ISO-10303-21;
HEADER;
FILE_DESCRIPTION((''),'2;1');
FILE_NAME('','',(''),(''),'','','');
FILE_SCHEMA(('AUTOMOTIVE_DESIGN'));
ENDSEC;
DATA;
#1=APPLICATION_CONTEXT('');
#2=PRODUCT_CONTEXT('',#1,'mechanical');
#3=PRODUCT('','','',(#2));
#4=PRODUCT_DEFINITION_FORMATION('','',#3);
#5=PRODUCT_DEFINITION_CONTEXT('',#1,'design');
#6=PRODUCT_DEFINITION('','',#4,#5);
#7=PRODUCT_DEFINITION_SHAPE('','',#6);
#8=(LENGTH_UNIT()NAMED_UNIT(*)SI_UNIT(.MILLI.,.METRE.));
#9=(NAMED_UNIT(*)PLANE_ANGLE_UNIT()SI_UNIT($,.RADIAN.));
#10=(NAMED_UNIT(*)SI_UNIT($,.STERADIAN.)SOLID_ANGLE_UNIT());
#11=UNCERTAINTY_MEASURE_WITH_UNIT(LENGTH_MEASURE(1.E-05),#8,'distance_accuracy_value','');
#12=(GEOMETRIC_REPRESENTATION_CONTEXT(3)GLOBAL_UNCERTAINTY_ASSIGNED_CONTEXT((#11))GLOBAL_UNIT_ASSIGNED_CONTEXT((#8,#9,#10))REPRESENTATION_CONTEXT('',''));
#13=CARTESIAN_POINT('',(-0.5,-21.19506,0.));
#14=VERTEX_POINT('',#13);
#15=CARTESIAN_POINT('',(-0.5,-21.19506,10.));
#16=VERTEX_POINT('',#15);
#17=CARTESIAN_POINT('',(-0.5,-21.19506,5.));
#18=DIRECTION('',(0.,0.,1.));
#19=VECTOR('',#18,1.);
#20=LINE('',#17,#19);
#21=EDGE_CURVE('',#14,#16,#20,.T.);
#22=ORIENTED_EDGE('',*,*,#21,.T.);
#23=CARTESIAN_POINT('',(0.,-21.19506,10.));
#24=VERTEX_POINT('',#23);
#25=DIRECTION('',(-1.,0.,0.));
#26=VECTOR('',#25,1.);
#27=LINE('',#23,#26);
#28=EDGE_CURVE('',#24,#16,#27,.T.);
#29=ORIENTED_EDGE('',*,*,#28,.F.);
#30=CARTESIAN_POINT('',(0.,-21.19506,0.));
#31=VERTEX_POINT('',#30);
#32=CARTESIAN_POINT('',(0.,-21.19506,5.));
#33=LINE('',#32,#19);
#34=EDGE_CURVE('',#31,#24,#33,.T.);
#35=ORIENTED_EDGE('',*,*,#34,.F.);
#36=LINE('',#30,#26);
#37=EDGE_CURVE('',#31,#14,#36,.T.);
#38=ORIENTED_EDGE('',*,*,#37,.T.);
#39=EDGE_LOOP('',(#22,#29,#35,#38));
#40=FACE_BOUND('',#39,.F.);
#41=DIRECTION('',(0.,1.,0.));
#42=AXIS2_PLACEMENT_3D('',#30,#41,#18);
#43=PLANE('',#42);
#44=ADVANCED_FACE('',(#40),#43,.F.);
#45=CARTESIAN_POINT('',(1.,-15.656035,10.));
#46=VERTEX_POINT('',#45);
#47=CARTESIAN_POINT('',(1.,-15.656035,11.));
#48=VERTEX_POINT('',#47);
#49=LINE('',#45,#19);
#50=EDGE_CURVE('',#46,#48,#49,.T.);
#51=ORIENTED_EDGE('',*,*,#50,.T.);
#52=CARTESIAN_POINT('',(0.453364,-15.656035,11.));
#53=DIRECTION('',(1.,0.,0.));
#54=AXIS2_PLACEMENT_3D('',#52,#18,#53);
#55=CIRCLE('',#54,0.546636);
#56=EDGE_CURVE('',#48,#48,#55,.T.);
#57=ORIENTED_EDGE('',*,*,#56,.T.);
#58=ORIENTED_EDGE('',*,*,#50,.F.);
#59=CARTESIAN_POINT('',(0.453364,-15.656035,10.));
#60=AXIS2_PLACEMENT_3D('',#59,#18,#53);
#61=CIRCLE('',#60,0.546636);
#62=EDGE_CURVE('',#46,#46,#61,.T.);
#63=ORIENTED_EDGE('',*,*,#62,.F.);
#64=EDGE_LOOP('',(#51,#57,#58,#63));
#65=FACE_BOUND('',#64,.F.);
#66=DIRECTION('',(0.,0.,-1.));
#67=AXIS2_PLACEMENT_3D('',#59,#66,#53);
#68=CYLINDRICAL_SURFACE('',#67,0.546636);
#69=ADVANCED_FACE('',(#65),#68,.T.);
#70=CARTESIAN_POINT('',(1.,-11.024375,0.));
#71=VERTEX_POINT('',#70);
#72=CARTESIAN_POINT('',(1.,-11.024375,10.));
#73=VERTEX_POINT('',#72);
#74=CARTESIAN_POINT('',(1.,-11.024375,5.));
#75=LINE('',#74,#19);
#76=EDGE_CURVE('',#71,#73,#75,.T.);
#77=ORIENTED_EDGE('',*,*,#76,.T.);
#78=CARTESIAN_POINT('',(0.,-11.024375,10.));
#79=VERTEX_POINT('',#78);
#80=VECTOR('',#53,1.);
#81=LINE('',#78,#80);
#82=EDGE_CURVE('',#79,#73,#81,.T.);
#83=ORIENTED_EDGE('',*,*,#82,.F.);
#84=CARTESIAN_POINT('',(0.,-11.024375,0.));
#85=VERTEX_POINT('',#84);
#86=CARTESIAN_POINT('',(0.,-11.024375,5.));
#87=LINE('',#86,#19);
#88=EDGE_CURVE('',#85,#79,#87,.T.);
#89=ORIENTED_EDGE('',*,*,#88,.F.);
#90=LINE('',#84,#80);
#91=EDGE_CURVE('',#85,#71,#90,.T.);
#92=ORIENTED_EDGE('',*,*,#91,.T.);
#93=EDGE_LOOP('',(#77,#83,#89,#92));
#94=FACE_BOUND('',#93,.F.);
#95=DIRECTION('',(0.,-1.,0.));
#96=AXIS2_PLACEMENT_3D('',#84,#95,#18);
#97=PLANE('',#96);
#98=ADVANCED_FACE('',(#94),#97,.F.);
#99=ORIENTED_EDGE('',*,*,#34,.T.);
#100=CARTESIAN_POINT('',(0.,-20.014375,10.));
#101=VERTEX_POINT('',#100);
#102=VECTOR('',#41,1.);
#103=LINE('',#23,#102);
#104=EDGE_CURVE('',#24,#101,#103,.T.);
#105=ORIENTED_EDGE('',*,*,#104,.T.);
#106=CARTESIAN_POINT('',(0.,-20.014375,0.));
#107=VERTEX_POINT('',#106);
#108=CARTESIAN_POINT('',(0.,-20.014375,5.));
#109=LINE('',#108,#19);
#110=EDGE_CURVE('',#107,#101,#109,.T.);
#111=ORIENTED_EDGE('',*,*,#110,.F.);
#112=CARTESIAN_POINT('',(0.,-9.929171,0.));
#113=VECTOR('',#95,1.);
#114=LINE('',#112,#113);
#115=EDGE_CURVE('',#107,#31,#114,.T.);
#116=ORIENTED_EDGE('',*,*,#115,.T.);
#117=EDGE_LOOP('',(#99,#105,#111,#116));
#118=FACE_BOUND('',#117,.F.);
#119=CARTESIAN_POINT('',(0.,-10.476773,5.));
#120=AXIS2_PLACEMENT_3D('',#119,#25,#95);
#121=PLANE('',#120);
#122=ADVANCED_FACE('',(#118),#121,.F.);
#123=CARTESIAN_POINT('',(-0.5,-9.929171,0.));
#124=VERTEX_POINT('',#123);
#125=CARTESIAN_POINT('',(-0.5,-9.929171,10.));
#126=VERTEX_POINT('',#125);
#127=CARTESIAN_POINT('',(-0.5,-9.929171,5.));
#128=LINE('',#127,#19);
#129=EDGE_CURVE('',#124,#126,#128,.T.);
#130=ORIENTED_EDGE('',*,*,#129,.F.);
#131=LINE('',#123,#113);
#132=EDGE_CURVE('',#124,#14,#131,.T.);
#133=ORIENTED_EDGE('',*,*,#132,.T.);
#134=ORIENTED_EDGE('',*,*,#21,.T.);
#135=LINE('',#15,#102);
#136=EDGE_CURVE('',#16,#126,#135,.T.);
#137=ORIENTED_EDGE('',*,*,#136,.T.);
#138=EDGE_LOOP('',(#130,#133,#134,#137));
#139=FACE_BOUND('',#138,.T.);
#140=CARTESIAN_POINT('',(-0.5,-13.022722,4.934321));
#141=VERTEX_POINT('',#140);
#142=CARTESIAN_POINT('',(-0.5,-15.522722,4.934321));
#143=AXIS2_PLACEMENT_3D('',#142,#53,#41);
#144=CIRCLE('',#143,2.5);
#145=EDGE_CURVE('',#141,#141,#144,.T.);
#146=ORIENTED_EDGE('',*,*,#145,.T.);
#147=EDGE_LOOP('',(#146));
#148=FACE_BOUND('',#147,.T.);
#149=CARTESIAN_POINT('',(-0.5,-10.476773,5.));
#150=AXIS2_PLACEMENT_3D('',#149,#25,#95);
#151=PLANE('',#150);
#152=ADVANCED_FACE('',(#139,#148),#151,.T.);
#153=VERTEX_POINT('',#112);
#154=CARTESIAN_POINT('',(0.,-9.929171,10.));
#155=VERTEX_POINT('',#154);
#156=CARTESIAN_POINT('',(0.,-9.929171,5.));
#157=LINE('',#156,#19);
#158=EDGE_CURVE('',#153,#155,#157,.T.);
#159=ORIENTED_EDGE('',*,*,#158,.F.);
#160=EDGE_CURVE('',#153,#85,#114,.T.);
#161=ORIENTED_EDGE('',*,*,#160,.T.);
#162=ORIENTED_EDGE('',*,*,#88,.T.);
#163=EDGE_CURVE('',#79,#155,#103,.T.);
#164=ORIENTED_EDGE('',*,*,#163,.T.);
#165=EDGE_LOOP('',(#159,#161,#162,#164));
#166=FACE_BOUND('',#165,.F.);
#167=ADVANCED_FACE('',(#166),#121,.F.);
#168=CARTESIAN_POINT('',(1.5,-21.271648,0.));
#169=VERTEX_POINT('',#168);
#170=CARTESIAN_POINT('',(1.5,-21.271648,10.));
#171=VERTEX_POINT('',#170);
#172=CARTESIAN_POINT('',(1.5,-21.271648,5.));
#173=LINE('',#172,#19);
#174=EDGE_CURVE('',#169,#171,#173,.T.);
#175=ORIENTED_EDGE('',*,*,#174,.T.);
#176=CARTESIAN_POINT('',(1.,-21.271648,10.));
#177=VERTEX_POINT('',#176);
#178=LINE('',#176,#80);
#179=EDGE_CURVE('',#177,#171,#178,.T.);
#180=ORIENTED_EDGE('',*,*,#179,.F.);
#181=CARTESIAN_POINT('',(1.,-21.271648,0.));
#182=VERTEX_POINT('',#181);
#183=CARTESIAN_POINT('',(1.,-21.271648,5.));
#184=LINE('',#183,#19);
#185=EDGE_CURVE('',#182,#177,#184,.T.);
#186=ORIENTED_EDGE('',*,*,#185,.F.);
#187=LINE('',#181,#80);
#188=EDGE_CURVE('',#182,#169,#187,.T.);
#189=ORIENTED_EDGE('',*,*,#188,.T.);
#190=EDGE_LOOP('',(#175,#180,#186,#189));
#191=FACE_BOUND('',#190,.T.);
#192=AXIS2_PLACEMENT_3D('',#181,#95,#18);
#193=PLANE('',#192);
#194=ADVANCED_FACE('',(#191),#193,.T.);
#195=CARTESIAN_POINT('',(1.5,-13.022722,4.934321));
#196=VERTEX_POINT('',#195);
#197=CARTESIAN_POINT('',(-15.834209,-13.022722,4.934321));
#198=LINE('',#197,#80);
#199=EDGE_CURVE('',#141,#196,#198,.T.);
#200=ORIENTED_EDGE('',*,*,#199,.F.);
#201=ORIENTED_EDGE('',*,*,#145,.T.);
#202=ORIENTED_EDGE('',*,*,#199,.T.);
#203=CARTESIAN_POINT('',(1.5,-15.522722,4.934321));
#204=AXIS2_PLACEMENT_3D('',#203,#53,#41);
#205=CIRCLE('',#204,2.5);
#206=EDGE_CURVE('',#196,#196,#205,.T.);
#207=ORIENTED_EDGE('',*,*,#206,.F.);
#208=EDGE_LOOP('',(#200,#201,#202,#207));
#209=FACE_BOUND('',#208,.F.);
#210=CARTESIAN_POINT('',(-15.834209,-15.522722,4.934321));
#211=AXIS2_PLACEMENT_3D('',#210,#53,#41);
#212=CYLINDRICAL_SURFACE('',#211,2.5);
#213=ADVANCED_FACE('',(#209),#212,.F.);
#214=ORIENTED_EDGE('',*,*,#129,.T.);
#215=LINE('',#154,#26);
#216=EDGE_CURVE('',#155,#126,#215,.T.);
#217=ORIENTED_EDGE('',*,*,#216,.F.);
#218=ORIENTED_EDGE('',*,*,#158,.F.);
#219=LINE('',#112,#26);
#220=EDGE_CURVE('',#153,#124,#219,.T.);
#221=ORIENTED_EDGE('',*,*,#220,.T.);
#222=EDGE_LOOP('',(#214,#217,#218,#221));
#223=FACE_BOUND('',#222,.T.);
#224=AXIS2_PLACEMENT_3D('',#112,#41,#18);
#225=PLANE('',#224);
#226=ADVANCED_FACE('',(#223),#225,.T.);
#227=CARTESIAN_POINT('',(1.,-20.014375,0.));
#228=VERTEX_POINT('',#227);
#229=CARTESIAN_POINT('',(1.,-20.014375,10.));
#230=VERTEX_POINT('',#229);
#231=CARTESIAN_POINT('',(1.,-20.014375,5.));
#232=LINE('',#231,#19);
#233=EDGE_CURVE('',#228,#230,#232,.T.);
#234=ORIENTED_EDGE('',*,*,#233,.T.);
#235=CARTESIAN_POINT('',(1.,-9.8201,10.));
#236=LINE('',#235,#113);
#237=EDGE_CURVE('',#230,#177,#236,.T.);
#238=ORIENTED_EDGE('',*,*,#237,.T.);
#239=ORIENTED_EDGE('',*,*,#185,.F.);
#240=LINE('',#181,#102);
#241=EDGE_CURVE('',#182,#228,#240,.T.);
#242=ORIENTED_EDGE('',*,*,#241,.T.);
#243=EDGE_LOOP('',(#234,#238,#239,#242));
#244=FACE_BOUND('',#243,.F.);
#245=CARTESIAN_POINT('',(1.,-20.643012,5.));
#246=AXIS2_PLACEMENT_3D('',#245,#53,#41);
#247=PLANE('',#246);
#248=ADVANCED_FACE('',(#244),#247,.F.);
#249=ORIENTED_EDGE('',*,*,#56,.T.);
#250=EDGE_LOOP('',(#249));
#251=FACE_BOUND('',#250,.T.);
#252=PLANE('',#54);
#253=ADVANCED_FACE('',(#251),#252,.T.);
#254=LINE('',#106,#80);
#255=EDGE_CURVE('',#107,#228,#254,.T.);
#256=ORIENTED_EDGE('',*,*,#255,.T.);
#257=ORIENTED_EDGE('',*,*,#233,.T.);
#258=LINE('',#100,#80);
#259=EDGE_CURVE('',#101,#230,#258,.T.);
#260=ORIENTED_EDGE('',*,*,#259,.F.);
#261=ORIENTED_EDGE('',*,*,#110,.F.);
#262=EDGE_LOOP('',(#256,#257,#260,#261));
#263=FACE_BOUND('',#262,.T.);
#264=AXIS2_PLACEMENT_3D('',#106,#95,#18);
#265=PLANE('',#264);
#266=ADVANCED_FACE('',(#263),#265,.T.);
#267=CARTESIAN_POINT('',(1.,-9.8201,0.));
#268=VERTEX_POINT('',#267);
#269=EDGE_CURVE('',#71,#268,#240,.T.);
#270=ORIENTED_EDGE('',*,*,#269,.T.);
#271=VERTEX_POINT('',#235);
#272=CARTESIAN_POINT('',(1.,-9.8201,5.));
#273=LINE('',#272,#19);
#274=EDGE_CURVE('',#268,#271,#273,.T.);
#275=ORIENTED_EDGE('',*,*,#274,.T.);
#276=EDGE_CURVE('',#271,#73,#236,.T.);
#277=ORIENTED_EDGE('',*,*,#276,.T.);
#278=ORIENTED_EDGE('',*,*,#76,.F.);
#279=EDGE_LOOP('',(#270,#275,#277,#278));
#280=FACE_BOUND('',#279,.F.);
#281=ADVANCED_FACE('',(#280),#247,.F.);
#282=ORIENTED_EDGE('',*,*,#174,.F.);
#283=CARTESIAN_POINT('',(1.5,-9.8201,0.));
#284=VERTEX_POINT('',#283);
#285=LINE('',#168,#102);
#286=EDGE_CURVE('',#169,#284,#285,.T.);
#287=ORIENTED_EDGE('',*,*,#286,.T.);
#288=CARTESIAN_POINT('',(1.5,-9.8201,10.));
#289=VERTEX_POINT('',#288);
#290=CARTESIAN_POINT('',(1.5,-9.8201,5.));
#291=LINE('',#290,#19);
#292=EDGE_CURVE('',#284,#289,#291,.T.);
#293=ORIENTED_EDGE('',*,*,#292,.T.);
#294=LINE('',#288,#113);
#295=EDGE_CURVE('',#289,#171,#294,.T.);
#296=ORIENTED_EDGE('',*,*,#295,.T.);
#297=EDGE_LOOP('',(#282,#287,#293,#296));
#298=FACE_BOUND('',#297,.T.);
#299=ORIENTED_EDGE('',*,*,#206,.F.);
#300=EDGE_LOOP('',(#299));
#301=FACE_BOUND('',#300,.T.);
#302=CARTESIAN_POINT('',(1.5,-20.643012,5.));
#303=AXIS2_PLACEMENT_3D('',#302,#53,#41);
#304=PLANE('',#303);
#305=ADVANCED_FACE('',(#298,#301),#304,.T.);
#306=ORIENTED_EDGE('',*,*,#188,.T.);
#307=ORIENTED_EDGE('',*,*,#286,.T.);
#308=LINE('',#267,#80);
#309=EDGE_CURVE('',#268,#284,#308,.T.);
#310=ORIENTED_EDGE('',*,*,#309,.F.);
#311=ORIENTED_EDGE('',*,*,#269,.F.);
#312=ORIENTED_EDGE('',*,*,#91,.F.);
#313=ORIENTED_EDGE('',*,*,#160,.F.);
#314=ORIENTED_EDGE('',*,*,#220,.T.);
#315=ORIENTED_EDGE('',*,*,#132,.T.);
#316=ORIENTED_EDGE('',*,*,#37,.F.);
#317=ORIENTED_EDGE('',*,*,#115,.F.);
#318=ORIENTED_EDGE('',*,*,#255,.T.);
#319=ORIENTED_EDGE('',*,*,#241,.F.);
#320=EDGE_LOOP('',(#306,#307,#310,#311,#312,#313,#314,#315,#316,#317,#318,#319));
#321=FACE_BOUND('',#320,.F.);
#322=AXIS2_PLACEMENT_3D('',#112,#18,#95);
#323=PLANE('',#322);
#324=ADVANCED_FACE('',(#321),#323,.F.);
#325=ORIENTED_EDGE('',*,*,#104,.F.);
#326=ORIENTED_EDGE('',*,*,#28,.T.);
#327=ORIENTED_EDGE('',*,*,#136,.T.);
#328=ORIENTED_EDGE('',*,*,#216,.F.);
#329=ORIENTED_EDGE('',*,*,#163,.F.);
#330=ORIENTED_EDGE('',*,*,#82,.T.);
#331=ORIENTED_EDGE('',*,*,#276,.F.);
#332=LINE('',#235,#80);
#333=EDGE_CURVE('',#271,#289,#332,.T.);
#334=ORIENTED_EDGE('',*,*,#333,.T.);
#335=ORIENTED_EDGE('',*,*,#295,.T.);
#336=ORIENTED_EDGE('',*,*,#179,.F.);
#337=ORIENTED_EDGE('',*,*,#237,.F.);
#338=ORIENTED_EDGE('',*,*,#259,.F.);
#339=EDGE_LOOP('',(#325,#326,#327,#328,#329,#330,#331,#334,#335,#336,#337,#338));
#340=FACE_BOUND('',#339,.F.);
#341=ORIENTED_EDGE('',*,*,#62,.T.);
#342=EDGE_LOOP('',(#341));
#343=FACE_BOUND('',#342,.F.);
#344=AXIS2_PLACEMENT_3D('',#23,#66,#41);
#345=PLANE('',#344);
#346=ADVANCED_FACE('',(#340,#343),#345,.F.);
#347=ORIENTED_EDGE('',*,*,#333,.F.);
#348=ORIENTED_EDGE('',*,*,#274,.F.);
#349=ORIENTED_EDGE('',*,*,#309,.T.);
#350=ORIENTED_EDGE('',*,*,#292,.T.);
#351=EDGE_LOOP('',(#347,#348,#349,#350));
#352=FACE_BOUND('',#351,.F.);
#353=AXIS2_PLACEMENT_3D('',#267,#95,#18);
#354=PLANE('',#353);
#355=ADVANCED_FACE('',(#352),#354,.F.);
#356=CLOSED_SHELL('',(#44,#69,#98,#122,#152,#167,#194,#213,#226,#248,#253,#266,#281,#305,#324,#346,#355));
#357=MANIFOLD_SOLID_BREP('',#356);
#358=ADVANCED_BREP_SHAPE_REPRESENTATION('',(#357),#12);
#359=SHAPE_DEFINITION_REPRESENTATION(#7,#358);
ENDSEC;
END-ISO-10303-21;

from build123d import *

# Parameters (mm, degrees)
F0_W     = 8.99
F0_H     = 10
F1_DEPTH = 1
F2_W     = 1.2572725254
F2_H     = 10
F2_W_2   = 1.20427544
F2_W_3   = 8.99
F3_DEPTH = 0.5
F4_W     = 1.095204528
F4_H     = 10
F4_W_2   = 8.99
F4_W_3   = 1.1806842821
F5_DEPTH = 0.5
F7_D     = 5
F8_R     = 0.546635634
F9_DEPTH = 1


with BuildPart() as f1:
    # F0 (on Right) → F1 (new body)
    with BuildSketch(Plane.YZ):
        with Locations((-15.5193753601, 5)):
            Rectangle(F0_W, F0_H)
    extrude(amount=F1_DEPTH)

    # F2 (on face) → F3 (join)
    with BuildSketch(Plane.YZ.offset(1)):
        with Locations((-20.6430116228, 5)):
            Rectangle(F2_W, F2_H)
        with Locations((-10.4222376401, 5)):
            Rectangle(F2_W_2, F2_H)
        with Locations((-15.5193753601, 5)):
            Rectangle(F2_W_3, F2_H)
    extrude(amount=F3_DEPTH)

    # F4 (on face) → F5 (join)
    with BuildSketch(Plane(origin=(0, 0, 0), x_dir=(0, -1, 0), z_dir=(-1, 0, 0))):
        with Locations((10.4767730961, 5)):
            Rectangle(F4_W, F4_H)
        with Locations((15.5193753601, 5)):
            Rectangle(F4_W_2, F4_H)
        with Locations((20.6047175011, 5)):
            Rectangle(F4_W_3, F4_H)
    extrude(amount=F5_DEPTH)

    # F7 (through all)
    with Locations(Plane(origin=(-0.5, 0, 0), x_dir=(0, -1, 0), z_dir=(-1, 0, 0))):
        with Locations((15.5227221549, 4.934320692)):
            Hole(F7_D / 2)

    # F8 (on face) → F9 (join)
    with BuildSketch(Plane.XY.offset(10)):
        with Locations((0.453364366, -15.6560353935)):
            Circle(F8_R)
    extrude(amount=F9_DEPTH)


solid = f1.part
